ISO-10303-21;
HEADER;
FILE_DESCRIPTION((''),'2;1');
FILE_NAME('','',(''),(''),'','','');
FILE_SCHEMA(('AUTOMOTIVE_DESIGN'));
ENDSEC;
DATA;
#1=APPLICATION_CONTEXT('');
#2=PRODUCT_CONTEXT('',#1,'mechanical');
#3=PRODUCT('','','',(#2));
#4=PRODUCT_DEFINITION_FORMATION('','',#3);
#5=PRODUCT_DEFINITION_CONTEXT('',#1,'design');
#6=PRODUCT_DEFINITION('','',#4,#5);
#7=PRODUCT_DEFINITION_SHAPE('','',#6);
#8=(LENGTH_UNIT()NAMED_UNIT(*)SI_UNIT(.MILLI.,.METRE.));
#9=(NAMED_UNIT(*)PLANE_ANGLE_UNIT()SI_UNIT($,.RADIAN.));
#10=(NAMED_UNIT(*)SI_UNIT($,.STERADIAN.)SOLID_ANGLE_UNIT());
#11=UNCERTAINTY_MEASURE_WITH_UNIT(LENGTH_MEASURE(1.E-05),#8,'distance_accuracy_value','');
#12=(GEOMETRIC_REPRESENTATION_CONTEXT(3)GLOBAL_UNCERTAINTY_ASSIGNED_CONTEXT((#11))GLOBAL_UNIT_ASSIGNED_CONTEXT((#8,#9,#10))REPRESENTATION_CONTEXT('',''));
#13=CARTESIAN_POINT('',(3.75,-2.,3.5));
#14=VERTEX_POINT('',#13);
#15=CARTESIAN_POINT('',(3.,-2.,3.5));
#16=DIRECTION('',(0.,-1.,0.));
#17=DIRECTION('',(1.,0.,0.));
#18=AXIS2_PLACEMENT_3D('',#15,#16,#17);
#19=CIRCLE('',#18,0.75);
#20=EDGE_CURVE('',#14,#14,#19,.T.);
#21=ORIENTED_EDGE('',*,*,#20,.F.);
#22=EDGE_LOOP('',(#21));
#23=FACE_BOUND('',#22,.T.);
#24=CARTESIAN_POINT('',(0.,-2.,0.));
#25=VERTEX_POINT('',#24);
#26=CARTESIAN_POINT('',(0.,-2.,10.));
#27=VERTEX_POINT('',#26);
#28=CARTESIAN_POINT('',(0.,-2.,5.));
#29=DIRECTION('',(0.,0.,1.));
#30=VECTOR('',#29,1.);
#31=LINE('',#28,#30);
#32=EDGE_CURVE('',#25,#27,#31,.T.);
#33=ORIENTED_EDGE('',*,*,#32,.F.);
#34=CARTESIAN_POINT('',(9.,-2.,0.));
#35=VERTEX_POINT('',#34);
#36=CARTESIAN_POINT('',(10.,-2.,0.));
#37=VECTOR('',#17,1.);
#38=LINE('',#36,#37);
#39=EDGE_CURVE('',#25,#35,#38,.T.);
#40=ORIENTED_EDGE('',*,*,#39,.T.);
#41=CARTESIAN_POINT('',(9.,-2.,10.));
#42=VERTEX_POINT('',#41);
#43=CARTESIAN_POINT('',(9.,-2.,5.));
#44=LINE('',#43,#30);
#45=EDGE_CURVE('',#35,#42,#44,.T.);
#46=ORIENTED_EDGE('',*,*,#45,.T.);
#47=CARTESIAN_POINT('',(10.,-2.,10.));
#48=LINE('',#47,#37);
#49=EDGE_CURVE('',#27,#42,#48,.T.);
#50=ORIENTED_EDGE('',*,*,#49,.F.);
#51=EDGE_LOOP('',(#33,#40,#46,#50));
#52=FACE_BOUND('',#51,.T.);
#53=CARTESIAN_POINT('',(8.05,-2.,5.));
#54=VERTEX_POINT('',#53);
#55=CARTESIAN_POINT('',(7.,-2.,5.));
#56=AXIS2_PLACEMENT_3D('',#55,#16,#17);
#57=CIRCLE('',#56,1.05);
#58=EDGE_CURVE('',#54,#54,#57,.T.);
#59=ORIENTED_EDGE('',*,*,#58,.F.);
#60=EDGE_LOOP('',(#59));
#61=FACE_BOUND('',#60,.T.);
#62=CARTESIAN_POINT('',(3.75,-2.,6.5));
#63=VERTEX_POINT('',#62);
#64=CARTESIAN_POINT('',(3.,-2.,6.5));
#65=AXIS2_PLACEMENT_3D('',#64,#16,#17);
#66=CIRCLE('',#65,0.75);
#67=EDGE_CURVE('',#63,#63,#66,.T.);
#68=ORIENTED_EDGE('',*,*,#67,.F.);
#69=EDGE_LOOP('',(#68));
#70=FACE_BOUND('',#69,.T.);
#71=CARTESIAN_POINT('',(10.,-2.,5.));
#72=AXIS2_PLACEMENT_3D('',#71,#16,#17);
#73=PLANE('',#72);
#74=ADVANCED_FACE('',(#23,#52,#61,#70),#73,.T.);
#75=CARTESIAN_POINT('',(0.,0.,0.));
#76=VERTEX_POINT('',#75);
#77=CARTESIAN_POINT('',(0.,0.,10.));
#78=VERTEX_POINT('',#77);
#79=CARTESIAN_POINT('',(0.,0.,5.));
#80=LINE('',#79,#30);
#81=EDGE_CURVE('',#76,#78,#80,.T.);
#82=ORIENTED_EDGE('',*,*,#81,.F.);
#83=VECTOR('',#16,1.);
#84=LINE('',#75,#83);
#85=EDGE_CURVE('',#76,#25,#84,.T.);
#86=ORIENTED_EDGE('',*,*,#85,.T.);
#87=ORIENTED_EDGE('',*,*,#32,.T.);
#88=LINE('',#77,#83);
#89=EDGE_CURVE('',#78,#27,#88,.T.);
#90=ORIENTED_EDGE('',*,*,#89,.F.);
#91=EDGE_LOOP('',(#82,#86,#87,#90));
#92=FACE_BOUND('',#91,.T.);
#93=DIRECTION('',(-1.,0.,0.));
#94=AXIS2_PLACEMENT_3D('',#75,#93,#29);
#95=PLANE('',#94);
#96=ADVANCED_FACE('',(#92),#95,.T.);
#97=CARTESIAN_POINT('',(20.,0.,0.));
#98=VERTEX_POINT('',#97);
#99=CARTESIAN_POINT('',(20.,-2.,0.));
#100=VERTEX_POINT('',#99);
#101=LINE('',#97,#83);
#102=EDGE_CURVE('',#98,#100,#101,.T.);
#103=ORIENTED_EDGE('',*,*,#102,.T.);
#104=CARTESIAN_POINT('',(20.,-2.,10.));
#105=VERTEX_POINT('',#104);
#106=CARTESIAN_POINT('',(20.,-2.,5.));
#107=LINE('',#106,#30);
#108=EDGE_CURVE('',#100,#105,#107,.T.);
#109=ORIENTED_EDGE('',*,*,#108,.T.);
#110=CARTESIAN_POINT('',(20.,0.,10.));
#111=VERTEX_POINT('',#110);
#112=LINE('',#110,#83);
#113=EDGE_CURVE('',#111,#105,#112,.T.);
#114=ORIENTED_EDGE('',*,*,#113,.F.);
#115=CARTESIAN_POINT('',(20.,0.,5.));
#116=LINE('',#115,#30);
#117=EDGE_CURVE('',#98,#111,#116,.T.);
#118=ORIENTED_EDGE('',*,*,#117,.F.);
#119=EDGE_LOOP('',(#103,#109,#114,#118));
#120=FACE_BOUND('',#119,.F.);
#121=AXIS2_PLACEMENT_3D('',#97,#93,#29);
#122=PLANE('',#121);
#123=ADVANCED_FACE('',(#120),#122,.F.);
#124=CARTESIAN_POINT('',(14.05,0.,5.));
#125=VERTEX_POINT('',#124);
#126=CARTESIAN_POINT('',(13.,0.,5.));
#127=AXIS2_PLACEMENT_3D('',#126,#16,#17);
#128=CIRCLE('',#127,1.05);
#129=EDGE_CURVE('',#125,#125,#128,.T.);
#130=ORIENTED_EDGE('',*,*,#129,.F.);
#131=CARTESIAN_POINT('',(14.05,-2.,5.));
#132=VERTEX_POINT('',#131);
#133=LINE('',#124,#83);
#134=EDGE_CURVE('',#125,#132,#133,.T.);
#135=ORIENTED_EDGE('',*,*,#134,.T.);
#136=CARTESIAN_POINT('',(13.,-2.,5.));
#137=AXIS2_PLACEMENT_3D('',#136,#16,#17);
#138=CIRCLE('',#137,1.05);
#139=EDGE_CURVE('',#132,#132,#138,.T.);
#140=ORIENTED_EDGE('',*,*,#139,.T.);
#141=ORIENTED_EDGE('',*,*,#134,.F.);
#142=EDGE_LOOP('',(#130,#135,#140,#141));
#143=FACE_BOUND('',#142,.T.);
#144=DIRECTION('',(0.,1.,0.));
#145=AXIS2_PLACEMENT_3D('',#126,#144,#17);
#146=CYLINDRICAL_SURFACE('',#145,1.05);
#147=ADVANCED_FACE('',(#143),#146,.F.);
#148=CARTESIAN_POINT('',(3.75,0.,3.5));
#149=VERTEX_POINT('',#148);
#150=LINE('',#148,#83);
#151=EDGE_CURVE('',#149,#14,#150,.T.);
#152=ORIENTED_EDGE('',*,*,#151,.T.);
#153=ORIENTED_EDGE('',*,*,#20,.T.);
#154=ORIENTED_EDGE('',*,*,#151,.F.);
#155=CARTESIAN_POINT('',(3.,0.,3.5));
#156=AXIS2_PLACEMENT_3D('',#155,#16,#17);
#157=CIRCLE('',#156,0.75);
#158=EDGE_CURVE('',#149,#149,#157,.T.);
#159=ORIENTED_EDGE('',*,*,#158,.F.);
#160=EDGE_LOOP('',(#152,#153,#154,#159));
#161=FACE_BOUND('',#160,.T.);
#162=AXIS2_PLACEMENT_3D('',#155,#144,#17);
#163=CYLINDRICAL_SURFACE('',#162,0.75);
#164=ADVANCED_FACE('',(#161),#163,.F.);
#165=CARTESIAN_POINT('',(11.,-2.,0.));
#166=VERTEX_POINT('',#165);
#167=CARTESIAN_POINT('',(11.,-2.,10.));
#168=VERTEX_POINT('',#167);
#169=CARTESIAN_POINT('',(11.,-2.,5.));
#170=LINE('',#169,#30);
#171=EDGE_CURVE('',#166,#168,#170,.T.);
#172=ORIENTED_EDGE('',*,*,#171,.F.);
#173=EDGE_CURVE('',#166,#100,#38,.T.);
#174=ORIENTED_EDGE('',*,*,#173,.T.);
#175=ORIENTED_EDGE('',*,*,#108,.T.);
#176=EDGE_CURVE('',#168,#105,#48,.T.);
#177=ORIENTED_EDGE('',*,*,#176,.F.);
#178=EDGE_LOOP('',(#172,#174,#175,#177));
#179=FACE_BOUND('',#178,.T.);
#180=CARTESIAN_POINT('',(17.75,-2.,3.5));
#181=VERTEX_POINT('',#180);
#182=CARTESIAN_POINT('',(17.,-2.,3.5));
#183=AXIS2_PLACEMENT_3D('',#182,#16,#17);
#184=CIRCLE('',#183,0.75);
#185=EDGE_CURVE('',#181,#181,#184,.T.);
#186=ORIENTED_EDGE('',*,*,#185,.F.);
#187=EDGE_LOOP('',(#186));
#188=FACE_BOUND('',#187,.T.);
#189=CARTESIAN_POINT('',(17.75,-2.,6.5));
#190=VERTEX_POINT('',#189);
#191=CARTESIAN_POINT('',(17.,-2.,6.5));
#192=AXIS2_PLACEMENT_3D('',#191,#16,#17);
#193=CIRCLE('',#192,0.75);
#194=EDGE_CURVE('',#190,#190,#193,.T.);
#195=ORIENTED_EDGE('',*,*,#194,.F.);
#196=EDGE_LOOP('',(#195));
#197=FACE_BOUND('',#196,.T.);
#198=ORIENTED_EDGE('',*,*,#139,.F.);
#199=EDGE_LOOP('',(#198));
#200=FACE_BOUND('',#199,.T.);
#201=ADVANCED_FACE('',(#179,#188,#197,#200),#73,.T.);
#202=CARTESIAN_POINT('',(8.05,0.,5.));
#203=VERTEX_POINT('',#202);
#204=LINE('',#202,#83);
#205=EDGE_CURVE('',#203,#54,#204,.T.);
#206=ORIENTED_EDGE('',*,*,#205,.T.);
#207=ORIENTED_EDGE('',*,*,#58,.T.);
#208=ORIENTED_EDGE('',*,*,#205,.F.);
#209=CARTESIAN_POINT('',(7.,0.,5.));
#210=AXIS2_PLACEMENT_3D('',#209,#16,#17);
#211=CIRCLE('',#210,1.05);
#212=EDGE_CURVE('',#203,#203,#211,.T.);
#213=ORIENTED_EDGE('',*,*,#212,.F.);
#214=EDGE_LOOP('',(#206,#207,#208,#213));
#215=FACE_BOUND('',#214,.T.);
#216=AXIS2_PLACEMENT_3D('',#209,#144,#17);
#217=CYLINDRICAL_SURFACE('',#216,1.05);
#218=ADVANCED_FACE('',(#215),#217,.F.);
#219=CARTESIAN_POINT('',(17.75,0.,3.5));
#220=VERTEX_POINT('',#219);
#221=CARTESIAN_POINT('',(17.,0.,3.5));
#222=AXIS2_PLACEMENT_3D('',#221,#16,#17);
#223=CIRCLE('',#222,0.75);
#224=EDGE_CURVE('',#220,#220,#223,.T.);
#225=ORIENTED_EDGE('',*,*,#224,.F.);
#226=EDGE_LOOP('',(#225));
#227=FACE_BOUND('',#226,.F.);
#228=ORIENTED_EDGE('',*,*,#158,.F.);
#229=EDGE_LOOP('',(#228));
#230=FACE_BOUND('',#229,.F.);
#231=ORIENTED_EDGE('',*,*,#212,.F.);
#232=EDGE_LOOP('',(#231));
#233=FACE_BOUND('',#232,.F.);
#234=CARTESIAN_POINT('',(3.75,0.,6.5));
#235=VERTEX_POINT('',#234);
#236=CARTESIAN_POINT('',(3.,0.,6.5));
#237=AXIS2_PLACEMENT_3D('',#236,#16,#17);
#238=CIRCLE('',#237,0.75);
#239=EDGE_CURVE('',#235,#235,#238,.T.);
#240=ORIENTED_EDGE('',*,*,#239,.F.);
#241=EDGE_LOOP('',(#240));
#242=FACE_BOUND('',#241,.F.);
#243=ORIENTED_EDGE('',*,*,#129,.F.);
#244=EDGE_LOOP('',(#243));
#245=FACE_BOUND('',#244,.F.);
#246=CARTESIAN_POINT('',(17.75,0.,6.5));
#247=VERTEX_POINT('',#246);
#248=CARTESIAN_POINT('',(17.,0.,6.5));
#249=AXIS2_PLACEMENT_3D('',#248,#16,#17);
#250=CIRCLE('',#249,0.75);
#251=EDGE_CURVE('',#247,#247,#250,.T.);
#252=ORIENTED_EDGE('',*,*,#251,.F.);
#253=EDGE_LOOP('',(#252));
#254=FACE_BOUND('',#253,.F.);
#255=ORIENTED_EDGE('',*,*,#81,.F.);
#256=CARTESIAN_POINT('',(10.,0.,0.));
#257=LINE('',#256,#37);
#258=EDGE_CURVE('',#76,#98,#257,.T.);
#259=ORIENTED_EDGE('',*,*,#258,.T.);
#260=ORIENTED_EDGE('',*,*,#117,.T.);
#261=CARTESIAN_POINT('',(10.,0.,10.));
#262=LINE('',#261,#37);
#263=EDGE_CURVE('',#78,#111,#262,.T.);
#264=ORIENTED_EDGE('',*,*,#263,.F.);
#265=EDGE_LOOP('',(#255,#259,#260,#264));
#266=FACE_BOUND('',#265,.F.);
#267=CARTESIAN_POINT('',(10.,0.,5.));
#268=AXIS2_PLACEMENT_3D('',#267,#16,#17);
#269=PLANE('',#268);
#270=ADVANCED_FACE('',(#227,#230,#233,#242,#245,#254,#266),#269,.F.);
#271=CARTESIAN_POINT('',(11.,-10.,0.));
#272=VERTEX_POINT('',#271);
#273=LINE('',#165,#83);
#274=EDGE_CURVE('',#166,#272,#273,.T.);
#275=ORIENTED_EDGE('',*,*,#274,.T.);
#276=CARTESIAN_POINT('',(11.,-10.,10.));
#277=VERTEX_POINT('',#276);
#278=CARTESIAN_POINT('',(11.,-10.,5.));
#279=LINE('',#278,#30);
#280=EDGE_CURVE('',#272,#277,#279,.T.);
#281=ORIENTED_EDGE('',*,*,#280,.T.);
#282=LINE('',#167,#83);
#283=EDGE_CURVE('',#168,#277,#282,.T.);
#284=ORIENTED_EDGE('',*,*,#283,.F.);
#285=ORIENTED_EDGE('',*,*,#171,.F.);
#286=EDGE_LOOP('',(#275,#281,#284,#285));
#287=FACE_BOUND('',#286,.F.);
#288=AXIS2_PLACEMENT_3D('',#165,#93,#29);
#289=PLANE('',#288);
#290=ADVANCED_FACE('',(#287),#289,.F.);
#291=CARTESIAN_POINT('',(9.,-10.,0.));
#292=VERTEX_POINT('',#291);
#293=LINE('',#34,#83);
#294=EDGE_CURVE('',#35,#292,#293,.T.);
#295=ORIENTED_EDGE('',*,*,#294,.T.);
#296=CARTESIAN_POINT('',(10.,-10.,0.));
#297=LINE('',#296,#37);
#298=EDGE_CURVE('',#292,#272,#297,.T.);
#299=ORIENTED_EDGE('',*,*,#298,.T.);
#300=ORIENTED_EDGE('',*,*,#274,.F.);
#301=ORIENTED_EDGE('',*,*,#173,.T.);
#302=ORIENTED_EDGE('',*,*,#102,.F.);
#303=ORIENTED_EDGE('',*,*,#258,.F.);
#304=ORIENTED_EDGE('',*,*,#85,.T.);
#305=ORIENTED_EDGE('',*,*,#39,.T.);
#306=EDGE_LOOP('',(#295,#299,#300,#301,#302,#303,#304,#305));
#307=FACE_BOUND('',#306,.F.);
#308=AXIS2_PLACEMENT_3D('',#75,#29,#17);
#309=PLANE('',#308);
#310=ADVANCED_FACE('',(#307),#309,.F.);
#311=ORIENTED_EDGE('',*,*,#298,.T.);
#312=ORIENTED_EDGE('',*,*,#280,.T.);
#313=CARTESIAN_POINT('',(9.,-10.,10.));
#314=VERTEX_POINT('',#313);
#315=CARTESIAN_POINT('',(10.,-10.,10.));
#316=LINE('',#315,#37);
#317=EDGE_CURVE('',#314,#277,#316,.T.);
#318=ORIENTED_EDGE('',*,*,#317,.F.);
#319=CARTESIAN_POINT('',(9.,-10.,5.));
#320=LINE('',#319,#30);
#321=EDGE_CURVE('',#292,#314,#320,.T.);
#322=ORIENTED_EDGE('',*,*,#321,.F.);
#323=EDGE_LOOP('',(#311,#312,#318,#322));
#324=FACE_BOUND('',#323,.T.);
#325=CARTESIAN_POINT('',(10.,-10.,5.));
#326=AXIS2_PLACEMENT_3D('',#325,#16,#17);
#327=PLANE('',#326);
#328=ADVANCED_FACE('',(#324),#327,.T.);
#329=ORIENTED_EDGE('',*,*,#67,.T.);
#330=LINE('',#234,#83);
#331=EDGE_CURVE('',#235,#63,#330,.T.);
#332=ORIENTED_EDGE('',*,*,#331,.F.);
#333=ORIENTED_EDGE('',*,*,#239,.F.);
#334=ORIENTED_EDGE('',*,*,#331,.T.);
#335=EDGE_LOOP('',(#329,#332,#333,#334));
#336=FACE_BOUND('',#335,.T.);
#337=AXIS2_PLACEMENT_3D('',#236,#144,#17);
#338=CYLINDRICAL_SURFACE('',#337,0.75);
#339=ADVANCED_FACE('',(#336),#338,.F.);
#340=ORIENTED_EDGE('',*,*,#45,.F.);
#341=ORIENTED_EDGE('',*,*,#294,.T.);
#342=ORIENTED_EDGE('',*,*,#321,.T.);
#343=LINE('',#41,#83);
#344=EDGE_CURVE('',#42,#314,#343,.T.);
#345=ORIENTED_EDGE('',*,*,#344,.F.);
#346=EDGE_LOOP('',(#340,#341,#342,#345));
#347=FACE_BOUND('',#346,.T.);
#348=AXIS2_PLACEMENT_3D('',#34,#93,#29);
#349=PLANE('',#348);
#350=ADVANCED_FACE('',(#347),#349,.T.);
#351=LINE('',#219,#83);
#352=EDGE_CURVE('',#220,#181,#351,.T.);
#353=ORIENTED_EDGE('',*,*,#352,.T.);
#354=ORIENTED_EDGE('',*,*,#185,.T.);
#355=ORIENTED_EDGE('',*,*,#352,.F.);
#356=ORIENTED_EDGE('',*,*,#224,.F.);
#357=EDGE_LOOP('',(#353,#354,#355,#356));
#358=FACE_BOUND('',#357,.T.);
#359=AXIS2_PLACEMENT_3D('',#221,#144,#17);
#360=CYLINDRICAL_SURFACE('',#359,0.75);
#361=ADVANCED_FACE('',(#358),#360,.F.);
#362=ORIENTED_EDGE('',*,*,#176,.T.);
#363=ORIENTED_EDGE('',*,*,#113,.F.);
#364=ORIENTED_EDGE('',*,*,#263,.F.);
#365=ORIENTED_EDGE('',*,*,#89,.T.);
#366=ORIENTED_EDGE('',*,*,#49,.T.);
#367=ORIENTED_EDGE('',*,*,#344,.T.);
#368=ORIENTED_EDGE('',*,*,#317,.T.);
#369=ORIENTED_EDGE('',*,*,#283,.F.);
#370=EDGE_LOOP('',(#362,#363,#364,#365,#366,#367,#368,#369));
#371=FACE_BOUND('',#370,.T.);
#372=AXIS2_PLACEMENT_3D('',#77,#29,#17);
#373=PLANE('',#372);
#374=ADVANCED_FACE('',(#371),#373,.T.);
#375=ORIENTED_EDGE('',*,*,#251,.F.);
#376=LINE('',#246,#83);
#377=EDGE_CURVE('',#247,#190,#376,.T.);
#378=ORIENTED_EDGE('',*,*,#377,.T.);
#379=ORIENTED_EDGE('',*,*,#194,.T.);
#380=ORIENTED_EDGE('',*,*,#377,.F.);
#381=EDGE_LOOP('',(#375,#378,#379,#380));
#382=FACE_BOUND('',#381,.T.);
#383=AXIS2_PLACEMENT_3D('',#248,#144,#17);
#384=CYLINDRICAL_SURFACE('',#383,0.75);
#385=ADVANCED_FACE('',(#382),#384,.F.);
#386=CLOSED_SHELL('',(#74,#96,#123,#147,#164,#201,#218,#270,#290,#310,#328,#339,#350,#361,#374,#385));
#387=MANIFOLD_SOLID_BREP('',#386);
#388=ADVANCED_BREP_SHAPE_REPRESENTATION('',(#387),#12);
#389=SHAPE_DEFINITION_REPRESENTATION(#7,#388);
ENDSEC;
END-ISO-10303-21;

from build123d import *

# Parameters (mm, degrees)
SKETCH_W     = 20
SKETCH_H     = 10
SKETCH_R     = 0.75
SKETCH_R_2   = 1.05
PAD_DEPTH    = 2
SKETCH001_W  = 2
SKETCH001_H  = 10
PAD001_DEPTH = 8


with BuildPart() as part:
    # Sketch → Pad (new body)
    with BuildSketch(Plane.XZ):
        with Locations((10, 5)):
            Rectangle(SKETCH_W, SKETCH_H)
        with Locations((3, 3.5)):
            Circle(SKETCH_R, mode=Mode.SUBTRACT)
        with Locations((3, 6.5)):
            Circle(SKETCH_R, mode=Mode.SUBTRACT)
        with Locations((17, 3.5)):
            Circle(SKETCH_R, mode=Mode.SUBTRACT)
        with Locations((17, 6.5)):
            Circle(SKETCH_R, mode=Mode.SUBTRACT)
        with Locations((7, 5)):
            Circle(SKETCH_R_2, mode=Mode.SUBTRACT)
        with Locations((13, 5)):
            Circle(SKETCH_R_2, mode=Mode.SUBTRACT)
    extrude(amount=PAD_DEPTH)

    # Sketch001 (on Face12 of Pad) → Pad001 (join)
    with BuildSketch(Plane.XZ.offset(2)):
        with Locations((10, 5)):
            Rectangle(SKETCH001_W, SKETCH001_H)
    extrude(amount=PAD001_DEPTH)


solid = part.part
